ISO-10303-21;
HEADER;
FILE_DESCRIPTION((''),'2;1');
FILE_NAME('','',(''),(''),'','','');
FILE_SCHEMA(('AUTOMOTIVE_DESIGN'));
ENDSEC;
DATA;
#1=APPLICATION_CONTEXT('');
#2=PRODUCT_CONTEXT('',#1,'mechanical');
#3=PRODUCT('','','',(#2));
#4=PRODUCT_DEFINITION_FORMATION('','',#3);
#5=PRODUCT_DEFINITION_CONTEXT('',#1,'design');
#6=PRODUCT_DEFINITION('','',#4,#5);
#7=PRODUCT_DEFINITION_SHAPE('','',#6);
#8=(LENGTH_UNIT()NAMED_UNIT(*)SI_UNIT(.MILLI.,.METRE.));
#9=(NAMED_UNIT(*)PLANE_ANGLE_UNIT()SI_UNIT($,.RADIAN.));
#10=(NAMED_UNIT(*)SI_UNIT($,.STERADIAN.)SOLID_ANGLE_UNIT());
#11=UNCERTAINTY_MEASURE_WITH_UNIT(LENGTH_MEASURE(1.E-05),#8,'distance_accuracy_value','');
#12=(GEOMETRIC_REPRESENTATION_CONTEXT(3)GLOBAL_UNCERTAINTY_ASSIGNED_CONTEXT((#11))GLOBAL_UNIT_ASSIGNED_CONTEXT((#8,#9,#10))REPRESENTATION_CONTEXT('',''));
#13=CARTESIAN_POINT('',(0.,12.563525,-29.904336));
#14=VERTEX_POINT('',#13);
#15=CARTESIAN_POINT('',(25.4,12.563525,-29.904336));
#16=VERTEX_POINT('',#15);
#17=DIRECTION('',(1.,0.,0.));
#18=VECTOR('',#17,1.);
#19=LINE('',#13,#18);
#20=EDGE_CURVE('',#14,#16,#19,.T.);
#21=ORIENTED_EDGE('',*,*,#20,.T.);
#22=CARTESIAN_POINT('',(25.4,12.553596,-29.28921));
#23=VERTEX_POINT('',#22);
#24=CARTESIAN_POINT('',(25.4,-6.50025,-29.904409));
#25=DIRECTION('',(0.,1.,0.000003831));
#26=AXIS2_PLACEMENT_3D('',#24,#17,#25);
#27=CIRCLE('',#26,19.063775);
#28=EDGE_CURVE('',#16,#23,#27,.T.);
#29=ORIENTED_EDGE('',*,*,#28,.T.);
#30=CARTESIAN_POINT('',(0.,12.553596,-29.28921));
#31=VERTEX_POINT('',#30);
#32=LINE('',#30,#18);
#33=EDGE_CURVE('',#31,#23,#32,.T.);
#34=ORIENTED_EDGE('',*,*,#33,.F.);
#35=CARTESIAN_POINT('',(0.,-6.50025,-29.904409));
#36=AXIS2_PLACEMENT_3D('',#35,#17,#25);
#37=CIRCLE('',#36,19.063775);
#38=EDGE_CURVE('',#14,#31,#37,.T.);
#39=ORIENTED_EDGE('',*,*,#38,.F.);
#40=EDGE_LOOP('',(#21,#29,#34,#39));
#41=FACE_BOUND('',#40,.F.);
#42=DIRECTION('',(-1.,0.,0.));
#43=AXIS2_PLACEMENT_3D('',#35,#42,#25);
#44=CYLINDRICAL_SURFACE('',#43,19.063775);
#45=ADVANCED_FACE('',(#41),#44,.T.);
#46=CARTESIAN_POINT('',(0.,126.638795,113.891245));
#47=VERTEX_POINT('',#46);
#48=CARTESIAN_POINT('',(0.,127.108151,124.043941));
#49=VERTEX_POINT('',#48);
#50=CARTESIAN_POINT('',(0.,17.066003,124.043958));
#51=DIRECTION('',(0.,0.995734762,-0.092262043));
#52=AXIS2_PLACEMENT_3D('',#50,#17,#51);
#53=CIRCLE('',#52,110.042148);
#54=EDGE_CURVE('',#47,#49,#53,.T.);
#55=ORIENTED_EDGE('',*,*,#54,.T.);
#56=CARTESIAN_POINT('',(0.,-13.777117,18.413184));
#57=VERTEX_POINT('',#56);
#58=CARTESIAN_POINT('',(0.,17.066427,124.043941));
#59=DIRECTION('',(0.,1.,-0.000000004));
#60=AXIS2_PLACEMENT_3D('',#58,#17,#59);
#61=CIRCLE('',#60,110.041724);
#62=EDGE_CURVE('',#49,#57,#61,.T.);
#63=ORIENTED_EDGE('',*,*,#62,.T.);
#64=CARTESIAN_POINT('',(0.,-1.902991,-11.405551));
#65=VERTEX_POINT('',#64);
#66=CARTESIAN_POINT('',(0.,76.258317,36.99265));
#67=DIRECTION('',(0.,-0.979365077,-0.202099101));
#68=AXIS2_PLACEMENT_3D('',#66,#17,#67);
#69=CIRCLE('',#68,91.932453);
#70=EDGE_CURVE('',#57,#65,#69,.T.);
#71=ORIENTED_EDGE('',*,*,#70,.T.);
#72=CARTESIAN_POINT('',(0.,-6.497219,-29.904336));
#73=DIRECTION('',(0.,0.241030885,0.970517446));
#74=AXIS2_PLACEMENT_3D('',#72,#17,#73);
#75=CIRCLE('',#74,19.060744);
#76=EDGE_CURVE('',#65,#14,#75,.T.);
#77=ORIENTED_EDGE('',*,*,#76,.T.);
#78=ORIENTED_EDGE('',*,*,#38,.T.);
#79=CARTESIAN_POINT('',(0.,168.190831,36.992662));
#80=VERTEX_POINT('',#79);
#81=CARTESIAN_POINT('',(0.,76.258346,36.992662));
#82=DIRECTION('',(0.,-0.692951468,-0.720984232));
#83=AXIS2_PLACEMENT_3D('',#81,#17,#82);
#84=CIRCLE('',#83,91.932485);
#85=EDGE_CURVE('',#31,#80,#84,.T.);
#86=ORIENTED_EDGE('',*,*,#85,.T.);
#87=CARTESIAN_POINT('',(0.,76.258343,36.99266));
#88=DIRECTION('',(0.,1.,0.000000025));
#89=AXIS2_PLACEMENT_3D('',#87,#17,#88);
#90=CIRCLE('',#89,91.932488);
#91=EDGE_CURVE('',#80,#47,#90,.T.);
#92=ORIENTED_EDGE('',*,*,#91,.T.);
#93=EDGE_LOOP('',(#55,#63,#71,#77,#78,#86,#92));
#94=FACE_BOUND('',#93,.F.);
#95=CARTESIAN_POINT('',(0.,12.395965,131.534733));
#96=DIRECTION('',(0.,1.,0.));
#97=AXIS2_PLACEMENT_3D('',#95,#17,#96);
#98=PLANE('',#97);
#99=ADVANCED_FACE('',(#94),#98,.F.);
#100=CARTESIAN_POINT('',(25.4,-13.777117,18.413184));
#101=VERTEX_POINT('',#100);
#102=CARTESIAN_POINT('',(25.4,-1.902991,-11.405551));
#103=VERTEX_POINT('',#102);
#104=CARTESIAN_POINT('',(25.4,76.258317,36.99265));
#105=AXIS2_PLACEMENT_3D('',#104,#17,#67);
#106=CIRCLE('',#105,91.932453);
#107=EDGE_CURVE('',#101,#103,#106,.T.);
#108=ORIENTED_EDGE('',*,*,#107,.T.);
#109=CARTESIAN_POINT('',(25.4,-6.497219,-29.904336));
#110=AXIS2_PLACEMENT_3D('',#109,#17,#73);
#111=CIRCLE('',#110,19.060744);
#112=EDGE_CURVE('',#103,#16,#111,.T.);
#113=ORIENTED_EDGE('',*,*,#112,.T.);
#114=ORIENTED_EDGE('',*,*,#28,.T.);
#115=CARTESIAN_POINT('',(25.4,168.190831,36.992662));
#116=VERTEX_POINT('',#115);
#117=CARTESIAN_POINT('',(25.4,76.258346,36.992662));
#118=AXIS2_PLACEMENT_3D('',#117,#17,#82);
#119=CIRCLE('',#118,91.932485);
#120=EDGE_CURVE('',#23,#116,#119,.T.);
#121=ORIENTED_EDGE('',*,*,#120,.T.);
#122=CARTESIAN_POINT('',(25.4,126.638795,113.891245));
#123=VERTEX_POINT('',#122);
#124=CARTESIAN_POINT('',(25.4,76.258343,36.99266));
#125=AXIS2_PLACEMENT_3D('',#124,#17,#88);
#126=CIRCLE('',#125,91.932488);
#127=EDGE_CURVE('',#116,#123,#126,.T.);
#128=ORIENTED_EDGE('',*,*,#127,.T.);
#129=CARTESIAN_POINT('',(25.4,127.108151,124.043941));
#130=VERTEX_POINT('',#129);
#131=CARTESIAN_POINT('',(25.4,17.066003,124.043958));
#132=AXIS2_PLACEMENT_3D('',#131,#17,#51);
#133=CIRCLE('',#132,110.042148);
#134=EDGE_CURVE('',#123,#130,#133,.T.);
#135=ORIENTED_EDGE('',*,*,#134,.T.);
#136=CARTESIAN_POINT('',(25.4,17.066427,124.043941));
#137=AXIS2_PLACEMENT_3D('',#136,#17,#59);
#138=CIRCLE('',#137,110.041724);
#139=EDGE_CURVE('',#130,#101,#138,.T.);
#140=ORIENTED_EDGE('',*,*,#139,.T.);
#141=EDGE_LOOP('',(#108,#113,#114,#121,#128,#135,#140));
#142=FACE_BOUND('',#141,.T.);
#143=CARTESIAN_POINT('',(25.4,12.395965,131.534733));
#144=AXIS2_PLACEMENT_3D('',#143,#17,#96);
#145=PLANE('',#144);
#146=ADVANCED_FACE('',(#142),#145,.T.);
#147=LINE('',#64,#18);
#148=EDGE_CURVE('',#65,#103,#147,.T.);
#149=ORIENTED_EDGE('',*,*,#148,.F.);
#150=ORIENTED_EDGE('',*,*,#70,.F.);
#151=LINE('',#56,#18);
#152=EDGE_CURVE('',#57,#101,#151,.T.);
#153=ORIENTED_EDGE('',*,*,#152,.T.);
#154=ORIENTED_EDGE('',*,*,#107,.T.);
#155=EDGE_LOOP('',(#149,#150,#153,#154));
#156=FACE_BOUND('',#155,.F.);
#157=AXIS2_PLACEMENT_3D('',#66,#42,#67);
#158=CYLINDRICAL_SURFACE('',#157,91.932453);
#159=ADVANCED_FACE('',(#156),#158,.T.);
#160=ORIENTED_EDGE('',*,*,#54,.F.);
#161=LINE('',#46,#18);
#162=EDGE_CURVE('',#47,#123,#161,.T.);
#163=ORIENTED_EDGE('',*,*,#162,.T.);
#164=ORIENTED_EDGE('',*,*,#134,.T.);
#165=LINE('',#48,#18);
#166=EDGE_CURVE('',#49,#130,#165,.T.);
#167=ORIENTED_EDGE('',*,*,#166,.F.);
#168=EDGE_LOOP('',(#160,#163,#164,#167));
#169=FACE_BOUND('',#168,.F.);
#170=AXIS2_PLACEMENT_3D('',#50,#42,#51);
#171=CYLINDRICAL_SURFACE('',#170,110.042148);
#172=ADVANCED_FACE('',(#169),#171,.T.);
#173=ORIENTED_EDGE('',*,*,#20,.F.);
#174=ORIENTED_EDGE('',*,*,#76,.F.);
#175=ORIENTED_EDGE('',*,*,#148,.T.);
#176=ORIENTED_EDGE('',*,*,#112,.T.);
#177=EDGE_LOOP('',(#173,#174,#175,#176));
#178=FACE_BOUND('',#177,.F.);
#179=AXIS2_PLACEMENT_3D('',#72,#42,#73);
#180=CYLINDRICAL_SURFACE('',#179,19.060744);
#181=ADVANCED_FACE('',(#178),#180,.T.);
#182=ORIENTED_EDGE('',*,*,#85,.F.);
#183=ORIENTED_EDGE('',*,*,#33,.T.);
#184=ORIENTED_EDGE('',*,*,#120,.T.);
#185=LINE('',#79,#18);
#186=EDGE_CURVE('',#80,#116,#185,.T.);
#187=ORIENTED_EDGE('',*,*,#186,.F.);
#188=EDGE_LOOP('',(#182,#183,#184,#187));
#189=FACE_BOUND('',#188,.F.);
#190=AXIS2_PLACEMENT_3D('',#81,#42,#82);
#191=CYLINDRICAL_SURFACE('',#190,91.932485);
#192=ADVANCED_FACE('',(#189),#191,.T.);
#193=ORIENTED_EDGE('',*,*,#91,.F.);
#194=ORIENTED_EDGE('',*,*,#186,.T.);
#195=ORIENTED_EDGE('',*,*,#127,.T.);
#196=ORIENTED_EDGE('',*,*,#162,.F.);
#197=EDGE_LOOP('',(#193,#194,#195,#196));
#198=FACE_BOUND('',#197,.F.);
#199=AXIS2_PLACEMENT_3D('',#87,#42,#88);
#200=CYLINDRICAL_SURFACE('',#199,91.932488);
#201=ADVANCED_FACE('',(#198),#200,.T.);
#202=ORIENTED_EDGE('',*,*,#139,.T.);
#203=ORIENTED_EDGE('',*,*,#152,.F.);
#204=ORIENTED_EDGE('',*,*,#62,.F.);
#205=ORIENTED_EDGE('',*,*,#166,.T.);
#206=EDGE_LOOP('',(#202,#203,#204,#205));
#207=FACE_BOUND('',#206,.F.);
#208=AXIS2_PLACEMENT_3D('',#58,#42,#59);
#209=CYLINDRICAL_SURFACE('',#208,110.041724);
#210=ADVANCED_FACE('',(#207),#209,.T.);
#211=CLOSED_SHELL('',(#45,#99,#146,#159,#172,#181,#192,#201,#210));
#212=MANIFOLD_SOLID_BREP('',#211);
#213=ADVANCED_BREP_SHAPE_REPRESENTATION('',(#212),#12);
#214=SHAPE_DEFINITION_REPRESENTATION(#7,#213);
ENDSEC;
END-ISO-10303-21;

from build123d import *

# Parameters (mm, degrees)
F1_DEPTH = 25.4


with BuildPart() as f1:
    # F0 (on Right) → F1 (new body)
    with BuildSketch(Plane.YZ):
        with BuildLine():
            ThreePointArc((127.108151, 124.043941), (-48.945331, 212.087277), (-13.777117, 18.413184))
            ThreePointArc((-13.777117, 18.413184), (24.565551, 113.015268), (126.638795, 113.891245))
            ThreePointArc((126.638795, 113.891245), (126.990749, 118.962172), (127.108151, 124.043941))
        make_face()
        with BuildLine():
            ThreePointArc((126.638795, 113.891245), (24.565551, 113.015268), (-13.777117, 18.413184))
            ThreePointArc((-13.777117, 18.413184), (78.941882, 33.046089), (126.638795, 113.891245))
        make_face()
        with BuildLine():
            ThreePointArc((-1.902991, -11.405551), (4.76392, -20.801185), (12.553596, -29.28921))
            ThreePointArc((12.553596, -29.28921), (8.326017, -17.921697), (-1.902991, -11.405551))
        make_face()
        with BuildLine():
            ThreePointArc((-1.902991, -11.405551), (-21.511901, -41.646196), (12.563525, -29.904336))
            ThreePointArc((12.563525, -29.904336), (12.561042, -29.596733), (12.553596, -29.28921))
            ThreePointArc((12.553596, -29.28921), (4.76392, -20.801185), (-1.902991, -11.405551))
        make_face()
        with BuildLine():
            ThreePointArc((-1.902991, -11.405551), (8.326017, -17.921697), (12.553596, -29.28921))
            ThreePointArc((12.553596, -29.28921), (112.279491, -47.589008), (168.190831, 36.992662))
            ThreePointArc((168.190831, 36.992662), (157.138447, 80.696105), (126.638795, 113.891245))
            ThreePointArc((126.638795, 113.891245), (78.941882, 33.046089), (-13.777117, 18.413184))
            ThreePointArc((-13.777117, 18.413184), (-9.151432, 2.981612), (-1.902991, -11.405551))
        make_face()
    extrude(amount=F1_DEPTH)


solid = f1.part
